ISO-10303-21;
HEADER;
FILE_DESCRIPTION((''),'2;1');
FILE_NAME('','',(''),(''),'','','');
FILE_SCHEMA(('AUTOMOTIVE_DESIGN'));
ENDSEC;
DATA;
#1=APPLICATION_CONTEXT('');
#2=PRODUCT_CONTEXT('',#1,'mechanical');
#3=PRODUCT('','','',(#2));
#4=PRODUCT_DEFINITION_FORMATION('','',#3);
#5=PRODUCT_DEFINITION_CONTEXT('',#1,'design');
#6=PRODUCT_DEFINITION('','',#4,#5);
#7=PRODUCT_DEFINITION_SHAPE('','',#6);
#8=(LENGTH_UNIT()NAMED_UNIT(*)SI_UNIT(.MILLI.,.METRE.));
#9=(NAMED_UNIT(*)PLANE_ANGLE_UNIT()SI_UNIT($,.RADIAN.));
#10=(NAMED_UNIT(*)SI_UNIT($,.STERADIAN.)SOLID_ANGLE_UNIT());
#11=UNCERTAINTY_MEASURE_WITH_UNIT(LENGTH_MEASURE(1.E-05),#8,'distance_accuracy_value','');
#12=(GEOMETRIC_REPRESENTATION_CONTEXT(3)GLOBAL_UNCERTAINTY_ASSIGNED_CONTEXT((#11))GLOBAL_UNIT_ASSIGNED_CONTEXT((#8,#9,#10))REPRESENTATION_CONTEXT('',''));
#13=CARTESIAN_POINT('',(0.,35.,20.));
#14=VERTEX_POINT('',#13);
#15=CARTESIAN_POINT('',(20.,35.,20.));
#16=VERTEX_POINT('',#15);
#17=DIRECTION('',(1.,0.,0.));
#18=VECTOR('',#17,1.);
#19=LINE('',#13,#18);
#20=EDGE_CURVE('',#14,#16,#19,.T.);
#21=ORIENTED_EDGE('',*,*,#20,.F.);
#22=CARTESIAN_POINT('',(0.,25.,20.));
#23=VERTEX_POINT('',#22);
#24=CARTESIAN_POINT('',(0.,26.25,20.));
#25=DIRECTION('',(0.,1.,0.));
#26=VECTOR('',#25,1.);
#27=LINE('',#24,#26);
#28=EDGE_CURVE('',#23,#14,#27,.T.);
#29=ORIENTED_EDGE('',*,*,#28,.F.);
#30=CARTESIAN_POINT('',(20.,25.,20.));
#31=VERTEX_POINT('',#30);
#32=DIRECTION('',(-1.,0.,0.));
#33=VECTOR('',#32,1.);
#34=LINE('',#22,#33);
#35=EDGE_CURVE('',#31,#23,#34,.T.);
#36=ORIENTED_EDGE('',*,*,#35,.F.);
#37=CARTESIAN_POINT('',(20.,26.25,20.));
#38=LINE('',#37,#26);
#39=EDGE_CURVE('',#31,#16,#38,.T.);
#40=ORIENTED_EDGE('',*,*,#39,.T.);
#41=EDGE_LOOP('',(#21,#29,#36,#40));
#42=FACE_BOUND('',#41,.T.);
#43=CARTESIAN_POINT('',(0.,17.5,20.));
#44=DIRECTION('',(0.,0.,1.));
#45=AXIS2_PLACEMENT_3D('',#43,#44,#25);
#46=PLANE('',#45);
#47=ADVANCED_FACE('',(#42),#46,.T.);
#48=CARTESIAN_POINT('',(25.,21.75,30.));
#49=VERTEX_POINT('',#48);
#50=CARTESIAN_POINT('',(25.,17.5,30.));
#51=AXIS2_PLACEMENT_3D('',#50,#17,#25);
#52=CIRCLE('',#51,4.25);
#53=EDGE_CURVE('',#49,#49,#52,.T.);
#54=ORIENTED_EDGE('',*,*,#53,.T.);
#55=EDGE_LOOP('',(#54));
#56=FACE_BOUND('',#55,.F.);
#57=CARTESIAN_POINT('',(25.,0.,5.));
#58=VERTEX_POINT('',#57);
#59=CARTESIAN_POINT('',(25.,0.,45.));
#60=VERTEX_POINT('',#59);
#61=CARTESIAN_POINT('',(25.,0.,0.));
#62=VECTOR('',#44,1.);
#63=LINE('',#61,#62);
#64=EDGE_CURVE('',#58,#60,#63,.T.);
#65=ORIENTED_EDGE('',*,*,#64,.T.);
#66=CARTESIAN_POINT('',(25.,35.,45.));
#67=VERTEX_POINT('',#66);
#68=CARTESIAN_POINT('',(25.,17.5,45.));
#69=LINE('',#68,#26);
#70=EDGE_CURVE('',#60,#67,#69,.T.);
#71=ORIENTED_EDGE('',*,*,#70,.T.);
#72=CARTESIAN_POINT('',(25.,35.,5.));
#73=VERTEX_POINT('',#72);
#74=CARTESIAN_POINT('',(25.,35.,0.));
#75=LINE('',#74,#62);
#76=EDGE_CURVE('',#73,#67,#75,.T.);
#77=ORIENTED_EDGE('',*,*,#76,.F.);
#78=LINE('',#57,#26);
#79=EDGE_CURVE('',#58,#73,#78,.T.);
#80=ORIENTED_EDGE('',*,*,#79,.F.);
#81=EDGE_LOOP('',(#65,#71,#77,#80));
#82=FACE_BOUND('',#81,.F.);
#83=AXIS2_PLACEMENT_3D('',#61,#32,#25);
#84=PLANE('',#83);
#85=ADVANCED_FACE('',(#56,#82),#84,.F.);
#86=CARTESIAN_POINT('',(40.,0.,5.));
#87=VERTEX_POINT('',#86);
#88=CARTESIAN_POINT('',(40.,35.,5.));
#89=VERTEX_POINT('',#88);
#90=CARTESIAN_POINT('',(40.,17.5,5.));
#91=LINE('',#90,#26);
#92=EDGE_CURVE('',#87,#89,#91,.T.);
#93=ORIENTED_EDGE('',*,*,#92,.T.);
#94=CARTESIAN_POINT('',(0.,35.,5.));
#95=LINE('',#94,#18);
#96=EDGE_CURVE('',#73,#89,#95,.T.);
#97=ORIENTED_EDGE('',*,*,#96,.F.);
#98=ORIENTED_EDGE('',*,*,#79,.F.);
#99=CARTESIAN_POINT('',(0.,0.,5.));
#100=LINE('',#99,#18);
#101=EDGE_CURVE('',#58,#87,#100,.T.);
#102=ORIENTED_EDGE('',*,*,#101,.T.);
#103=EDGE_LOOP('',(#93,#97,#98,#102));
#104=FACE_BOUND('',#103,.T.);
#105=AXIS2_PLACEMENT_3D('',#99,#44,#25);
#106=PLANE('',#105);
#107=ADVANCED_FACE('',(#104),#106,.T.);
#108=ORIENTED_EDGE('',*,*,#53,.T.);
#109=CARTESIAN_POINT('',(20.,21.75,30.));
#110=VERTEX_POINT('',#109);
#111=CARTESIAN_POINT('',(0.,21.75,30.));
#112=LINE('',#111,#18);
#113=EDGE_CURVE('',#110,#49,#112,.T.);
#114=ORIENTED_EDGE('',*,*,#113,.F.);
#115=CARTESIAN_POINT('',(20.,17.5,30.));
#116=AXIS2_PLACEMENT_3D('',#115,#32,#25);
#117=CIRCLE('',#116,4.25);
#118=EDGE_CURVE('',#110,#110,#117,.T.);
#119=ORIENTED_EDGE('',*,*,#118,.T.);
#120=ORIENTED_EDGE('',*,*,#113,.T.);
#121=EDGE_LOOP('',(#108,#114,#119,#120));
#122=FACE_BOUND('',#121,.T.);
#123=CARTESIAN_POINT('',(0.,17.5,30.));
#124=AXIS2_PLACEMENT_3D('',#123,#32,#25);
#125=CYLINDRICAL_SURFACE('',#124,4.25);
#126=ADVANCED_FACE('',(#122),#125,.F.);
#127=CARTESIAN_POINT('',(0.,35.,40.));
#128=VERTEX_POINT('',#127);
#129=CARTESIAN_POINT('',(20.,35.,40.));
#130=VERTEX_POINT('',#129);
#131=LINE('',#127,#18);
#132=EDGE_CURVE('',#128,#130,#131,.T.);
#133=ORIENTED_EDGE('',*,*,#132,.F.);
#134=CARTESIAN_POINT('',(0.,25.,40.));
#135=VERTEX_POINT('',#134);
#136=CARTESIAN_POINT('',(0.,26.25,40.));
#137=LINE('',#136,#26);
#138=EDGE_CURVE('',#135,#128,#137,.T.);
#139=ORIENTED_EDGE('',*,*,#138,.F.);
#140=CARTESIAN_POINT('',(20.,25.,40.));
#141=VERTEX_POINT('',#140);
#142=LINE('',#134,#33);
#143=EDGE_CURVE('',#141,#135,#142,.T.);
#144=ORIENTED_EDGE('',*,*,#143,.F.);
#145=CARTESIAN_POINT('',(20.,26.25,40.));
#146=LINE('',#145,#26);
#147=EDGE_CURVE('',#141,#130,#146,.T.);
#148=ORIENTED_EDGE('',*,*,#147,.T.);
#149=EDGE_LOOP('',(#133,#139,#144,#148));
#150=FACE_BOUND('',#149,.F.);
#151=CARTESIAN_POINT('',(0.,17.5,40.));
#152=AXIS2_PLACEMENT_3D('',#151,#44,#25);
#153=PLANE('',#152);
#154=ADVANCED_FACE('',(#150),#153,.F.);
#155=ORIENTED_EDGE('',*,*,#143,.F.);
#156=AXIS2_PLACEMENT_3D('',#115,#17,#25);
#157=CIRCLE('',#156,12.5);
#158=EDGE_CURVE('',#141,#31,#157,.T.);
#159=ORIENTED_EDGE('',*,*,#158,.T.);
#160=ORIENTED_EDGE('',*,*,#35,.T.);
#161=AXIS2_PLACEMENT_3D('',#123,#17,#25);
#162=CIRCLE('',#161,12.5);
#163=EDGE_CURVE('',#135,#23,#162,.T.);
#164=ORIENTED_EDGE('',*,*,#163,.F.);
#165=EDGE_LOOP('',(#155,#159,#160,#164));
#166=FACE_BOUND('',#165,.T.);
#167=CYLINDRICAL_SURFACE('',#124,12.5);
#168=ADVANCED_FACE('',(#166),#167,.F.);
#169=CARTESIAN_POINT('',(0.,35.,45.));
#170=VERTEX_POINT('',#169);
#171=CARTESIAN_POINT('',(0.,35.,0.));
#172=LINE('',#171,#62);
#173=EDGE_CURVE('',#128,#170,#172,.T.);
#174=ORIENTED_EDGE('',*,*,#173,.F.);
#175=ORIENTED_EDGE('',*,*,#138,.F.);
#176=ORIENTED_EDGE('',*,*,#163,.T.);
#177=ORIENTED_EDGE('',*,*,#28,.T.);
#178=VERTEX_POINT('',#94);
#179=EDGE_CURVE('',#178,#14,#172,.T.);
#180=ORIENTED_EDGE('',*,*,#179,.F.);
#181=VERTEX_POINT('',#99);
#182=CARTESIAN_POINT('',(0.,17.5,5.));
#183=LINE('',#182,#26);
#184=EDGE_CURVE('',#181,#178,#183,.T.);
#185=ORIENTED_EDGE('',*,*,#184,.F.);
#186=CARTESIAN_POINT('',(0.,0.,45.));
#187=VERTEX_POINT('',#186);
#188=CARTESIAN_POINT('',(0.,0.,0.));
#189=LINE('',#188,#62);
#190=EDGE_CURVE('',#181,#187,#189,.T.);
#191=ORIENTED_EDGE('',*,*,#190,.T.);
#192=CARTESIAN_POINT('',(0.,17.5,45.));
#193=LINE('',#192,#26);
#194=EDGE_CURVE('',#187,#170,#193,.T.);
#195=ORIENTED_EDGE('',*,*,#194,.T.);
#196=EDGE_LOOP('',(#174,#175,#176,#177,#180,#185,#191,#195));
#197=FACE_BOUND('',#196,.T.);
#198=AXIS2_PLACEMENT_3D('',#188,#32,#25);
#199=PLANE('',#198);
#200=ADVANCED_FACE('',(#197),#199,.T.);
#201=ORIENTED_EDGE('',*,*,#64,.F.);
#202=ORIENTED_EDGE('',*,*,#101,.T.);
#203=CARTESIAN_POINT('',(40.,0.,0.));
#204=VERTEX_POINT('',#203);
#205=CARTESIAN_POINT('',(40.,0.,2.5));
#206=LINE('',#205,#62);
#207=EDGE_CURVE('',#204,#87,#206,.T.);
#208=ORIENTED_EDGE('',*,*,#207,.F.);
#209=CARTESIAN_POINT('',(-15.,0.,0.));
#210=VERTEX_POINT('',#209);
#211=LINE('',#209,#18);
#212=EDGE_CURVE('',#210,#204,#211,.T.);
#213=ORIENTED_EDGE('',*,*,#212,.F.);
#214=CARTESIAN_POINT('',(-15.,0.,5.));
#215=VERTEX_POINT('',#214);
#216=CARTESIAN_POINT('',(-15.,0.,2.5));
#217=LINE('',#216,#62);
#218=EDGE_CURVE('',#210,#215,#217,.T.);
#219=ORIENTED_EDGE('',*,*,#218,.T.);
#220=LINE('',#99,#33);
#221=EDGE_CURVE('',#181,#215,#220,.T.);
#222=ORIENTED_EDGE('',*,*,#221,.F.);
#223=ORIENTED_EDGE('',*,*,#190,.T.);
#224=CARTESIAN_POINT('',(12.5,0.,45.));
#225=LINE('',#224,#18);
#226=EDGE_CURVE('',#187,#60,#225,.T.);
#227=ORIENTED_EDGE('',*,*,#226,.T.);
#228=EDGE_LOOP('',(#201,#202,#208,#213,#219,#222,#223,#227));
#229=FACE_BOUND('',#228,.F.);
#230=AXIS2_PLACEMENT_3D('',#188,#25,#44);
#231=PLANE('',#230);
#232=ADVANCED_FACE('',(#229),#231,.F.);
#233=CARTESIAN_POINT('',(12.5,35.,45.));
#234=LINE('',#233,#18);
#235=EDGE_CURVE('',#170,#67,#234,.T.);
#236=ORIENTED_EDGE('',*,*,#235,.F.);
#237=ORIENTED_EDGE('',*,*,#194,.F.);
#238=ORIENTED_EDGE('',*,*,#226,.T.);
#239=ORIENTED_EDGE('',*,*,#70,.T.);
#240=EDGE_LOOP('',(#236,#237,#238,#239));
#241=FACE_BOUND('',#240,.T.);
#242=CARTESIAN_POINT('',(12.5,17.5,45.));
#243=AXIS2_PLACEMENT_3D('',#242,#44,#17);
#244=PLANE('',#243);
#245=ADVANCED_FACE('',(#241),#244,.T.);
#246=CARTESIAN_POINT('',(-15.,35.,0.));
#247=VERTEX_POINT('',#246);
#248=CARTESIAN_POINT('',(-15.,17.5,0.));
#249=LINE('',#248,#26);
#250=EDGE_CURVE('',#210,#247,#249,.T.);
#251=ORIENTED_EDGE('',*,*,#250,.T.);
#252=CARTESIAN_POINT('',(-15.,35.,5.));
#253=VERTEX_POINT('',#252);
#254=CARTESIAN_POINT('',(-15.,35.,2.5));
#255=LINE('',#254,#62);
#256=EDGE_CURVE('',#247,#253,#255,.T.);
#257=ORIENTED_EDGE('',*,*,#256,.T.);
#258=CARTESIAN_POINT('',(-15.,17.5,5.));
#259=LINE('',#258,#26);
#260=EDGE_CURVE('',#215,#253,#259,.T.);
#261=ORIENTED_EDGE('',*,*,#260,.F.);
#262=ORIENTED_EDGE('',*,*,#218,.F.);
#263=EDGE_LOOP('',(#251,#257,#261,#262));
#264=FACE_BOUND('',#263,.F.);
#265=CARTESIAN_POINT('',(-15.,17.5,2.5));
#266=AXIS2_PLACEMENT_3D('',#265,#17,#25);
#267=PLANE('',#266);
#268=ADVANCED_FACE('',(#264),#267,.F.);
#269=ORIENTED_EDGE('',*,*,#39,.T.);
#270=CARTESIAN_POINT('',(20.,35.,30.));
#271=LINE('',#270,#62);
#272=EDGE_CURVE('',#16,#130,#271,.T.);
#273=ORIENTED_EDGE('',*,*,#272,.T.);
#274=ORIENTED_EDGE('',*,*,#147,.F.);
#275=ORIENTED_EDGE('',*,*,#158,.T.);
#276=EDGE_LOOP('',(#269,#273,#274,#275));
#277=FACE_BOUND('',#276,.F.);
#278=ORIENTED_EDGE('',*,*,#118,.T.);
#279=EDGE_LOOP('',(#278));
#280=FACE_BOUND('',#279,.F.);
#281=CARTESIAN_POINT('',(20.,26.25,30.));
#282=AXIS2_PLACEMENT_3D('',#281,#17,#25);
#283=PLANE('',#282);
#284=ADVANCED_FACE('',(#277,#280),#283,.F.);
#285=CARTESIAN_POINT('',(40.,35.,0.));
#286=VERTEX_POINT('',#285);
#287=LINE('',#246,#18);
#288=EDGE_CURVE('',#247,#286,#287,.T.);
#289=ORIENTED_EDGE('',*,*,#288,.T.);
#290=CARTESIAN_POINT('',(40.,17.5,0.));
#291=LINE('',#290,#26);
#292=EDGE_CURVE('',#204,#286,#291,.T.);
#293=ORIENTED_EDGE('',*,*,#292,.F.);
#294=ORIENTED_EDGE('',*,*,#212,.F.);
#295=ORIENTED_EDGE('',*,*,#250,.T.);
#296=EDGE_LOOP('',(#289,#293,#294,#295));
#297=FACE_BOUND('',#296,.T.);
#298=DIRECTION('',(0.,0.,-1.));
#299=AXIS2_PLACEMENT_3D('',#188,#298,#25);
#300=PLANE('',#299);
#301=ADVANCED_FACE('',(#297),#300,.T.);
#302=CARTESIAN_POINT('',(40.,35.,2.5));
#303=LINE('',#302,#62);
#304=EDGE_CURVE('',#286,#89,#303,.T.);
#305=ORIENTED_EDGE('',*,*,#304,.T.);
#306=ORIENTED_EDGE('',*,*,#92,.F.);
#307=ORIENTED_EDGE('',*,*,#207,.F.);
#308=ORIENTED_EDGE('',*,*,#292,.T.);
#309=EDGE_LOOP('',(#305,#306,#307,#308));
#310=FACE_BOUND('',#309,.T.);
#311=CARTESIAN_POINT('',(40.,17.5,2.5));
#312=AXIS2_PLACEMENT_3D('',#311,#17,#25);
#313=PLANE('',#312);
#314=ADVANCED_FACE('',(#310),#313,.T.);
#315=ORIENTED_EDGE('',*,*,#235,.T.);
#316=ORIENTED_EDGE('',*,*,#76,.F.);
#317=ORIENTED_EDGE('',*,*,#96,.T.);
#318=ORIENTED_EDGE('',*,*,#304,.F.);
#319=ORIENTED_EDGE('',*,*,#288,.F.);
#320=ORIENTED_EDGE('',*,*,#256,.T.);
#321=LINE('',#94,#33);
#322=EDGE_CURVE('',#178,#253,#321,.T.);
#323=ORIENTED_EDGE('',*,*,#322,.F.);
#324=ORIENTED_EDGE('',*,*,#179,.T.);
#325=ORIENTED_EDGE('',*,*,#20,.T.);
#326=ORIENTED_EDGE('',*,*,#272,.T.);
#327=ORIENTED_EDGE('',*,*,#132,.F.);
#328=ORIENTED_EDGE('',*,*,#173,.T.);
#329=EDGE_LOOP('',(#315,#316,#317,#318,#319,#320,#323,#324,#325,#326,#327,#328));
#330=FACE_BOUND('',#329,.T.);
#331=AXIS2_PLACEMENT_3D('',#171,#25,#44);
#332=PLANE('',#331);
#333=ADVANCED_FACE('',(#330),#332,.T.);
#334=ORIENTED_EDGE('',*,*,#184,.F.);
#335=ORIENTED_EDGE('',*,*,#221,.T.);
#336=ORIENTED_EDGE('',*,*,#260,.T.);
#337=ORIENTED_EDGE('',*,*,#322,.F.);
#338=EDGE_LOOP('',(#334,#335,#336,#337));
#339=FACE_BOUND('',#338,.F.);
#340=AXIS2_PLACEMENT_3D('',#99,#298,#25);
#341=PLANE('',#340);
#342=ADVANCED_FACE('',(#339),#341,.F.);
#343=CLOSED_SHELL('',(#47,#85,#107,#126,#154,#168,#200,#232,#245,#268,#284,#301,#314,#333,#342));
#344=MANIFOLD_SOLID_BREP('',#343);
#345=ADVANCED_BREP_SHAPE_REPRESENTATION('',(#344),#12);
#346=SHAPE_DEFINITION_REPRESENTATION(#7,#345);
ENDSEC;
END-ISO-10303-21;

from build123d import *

# Parameters (mm, degrees)
F0_W      = 25
F0_H      = 35
F1_DEPTH  = 45
F2_R      = 12.5
F3_DEPTH  = 20
F4_R      = 4.25
F5_DEPTH  = 25
F6_W      = 35
F6_H      = 5
F7_DEPTH  = 15
F8_W      = 35
F8_H      = 5
F9_DEPTH  = 40
F10_W     = 17.5
F10_H     = 20
F11_DEPTH = 20


with BuildPart() as f1:
    # F0 (on Top) → F1 (new body)
    with BuildSketch(Plane.XY):
        with Locations((12.5, 17.5)):
            Rectangle(F0_W, F0_H)
    extrude(amount=F1_DEPTH)

    # F2 (on Right) → F3 (cut)
    with BuildSketch(Plane.YZ):
        with Locations((17.5, 30)):
            Circle(F2_R)
    extrude(amount=F3_DEPTH, mode=Mode.SUBTRACT)

    # F4 (on Right) → F5 (cut)
    with BuildSketch(Plane.YZ):
        with Locations((17.5, 30)):
            Circle(F4_R)
    extrude(amount=F5_DEPTH, mode=Mode.SUBTRACT)

    # F6 (on Right) → F7 (join)
    with BuildSketch(Plane.YZ):
        with Locations((17.5, 2.5)):
            Rectangle(F6_W, F6_H)
    extrude(amount=-F7_DEPTH)

    # F8 (on Right) → F9 (join)
    with BuildSketch(Plane.YZ):
        with Locations((17.5, 2.5)):
            Rectangle(F8_W, F8_H)
    extrude(amount=F9_DEPTH)

    # F10 (on Right) → F11 (cut)
    with BuildSketch(Plane.YZ):
        with Locations((26.25, 30)):
            Rectangle(F10_W, F10_H)
    extrude(amount=F11_DEPTH, mode=Mode.SUBTRACT)


solid = f1.part
